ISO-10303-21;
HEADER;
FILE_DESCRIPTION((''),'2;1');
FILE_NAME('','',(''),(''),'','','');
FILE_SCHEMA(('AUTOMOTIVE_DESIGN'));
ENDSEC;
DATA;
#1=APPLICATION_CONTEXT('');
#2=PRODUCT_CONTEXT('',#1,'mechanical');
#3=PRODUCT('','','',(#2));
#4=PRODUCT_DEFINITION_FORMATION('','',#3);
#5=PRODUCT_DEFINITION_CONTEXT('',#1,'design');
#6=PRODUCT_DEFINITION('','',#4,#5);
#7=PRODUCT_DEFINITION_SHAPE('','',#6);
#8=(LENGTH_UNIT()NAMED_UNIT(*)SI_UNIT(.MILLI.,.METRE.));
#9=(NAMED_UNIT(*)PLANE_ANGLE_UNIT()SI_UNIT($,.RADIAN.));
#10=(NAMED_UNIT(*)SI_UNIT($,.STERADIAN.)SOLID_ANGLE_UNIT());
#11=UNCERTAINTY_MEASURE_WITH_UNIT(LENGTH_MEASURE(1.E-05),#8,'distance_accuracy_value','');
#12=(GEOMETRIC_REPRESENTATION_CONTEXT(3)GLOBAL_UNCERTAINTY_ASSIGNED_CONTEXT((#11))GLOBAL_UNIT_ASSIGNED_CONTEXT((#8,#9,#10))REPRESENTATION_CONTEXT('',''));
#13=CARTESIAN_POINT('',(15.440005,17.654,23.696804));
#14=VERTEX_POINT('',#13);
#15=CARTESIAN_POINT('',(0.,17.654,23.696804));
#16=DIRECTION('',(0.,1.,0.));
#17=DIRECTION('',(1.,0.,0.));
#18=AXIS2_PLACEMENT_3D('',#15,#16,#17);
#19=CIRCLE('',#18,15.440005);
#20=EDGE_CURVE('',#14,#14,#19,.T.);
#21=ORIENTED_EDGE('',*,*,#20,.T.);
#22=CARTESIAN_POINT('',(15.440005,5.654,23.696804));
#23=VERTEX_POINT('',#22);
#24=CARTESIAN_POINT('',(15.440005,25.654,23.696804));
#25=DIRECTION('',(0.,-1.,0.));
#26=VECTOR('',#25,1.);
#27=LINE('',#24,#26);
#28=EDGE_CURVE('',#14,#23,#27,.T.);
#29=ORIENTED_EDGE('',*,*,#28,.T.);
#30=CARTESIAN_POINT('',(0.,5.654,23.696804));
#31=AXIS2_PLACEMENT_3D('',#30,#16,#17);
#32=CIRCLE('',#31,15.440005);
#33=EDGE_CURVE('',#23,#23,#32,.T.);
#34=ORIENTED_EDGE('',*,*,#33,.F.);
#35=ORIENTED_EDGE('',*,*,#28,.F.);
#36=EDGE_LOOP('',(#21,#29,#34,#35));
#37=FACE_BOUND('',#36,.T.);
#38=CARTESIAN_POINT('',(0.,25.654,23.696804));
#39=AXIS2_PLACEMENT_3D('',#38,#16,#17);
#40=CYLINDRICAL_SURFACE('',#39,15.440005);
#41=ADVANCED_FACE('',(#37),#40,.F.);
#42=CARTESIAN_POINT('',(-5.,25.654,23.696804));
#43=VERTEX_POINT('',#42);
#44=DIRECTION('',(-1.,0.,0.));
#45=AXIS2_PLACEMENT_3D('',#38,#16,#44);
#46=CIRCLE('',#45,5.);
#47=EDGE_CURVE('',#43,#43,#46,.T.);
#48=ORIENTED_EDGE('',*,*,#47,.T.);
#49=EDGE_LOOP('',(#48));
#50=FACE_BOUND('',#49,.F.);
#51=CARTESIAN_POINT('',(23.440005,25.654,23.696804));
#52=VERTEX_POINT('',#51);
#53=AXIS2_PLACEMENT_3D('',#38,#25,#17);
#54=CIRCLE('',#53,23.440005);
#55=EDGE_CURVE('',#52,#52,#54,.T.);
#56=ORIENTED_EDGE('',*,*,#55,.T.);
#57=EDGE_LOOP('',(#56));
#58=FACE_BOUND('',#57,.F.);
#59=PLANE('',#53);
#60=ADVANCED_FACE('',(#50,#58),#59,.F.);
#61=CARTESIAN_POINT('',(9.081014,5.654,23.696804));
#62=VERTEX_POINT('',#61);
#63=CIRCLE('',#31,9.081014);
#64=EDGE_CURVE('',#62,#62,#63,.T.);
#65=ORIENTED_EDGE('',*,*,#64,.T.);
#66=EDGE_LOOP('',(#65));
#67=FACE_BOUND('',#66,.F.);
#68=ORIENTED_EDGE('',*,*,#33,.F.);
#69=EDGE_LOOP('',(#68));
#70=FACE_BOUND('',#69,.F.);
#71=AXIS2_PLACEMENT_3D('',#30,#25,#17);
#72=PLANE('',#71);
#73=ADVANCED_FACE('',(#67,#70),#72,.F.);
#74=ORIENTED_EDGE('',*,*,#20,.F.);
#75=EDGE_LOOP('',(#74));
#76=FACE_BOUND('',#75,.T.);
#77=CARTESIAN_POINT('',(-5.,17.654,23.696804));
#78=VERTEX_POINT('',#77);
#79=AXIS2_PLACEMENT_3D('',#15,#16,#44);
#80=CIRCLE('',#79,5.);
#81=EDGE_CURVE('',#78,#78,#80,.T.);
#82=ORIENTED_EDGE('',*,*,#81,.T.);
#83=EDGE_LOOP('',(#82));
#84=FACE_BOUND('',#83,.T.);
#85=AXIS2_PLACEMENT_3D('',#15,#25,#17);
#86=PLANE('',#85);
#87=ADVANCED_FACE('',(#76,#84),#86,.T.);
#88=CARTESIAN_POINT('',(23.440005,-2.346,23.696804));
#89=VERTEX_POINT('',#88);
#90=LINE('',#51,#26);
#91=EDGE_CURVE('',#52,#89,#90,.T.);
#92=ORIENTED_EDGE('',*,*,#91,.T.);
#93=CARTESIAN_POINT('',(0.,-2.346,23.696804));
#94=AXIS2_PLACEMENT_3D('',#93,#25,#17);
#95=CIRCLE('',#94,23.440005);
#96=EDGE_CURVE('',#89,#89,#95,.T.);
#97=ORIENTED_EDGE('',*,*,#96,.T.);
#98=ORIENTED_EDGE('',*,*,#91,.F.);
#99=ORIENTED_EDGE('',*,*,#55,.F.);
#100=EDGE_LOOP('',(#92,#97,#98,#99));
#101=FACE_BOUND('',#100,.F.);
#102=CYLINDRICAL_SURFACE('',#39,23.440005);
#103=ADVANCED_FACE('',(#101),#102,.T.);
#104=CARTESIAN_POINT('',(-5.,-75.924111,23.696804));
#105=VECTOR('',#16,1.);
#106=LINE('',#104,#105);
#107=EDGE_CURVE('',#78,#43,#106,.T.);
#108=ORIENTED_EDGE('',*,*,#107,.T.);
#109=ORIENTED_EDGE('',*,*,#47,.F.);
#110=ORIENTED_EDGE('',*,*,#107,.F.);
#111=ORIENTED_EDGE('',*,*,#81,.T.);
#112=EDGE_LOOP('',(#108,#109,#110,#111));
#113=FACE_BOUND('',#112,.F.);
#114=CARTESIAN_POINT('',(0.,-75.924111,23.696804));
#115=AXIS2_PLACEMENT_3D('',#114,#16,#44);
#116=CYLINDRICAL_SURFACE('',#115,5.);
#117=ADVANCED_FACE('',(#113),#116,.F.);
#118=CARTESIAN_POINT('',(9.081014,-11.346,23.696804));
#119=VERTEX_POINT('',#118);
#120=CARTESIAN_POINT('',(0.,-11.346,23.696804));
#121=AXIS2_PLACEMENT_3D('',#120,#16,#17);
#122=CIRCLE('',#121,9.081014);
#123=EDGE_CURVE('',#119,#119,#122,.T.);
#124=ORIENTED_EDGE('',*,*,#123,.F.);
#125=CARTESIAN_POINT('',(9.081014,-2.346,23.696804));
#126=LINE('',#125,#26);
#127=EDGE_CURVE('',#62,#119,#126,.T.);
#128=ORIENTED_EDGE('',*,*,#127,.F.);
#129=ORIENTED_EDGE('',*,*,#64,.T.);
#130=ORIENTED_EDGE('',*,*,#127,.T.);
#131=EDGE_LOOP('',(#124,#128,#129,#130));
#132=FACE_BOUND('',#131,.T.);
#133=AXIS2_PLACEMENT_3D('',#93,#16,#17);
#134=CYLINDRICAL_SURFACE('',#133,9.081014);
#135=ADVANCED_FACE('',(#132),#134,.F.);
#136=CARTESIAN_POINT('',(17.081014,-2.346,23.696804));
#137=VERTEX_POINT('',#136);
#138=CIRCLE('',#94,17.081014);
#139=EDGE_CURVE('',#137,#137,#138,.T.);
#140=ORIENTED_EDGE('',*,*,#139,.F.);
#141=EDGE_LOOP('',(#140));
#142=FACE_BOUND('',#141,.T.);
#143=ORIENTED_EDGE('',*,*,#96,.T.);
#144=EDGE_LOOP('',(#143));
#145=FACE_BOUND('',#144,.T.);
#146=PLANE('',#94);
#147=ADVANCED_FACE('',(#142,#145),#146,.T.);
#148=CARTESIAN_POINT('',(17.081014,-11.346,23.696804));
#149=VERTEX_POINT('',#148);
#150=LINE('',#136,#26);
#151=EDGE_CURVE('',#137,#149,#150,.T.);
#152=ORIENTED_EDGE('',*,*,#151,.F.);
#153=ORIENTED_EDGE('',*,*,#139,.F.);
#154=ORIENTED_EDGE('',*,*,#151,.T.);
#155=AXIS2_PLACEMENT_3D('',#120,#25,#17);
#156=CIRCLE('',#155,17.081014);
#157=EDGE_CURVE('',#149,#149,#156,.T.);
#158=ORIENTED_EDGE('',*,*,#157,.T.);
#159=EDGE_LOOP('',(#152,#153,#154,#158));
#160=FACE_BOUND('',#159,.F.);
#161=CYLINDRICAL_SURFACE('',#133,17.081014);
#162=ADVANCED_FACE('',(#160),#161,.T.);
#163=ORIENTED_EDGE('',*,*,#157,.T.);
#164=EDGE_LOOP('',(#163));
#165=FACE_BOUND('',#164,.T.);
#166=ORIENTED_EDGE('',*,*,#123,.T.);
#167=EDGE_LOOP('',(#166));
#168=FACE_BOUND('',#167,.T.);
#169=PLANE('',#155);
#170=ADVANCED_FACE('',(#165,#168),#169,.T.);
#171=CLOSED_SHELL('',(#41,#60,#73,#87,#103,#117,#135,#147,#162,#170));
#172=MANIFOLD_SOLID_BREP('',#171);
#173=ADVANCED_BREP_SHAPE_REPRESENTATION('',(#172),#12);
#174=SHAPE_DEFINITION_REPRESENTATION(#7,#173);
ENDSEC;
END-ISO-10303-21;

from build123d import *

# Parameters (mm, degrees)
F0_R     = 23.4400047289
F1_DEPTH = 28
F3_R     = 17.0810137282
F4_DEPTH = 9
F5_T     = -8
F6_D     = 10


with BuildPart() as f1:
    # F0 (on Front) → F1 (new body)
    with BuildSketch(Plane.XZ):
        with Locations((0, 23.6968044192)):
            Circle(F0_R)
    extrude(amount=F1_DEPTH)


with BuildPart() as f1_1:
    # F2: moved
    add(f1.part.moved(Location((0, 25.654, 0))))

    # F3 (on face) → F4 (join)
    with BuildSketch(Plane.XZ.offset(2.346)):
        with Locations((0, 23.6968044192)):
            Circle(F3_R)
    extrude(amount=F4_DEPTH)

    # F5
    f5_openings = [f1_1.faces().sort_by_distance(p)[0] for p in [
        (0, -11.346, 23.696804),
    ]]
    offset(amount=F5_T, openings=f5_openings, kind=Kind.INTERSECTION)

    # F6 (through all)
    with Locations(Plane.XZ):
        with Locations((0, 23.6968044192)):
            Hole(F6_D / 2)


solid = f1_1.part
